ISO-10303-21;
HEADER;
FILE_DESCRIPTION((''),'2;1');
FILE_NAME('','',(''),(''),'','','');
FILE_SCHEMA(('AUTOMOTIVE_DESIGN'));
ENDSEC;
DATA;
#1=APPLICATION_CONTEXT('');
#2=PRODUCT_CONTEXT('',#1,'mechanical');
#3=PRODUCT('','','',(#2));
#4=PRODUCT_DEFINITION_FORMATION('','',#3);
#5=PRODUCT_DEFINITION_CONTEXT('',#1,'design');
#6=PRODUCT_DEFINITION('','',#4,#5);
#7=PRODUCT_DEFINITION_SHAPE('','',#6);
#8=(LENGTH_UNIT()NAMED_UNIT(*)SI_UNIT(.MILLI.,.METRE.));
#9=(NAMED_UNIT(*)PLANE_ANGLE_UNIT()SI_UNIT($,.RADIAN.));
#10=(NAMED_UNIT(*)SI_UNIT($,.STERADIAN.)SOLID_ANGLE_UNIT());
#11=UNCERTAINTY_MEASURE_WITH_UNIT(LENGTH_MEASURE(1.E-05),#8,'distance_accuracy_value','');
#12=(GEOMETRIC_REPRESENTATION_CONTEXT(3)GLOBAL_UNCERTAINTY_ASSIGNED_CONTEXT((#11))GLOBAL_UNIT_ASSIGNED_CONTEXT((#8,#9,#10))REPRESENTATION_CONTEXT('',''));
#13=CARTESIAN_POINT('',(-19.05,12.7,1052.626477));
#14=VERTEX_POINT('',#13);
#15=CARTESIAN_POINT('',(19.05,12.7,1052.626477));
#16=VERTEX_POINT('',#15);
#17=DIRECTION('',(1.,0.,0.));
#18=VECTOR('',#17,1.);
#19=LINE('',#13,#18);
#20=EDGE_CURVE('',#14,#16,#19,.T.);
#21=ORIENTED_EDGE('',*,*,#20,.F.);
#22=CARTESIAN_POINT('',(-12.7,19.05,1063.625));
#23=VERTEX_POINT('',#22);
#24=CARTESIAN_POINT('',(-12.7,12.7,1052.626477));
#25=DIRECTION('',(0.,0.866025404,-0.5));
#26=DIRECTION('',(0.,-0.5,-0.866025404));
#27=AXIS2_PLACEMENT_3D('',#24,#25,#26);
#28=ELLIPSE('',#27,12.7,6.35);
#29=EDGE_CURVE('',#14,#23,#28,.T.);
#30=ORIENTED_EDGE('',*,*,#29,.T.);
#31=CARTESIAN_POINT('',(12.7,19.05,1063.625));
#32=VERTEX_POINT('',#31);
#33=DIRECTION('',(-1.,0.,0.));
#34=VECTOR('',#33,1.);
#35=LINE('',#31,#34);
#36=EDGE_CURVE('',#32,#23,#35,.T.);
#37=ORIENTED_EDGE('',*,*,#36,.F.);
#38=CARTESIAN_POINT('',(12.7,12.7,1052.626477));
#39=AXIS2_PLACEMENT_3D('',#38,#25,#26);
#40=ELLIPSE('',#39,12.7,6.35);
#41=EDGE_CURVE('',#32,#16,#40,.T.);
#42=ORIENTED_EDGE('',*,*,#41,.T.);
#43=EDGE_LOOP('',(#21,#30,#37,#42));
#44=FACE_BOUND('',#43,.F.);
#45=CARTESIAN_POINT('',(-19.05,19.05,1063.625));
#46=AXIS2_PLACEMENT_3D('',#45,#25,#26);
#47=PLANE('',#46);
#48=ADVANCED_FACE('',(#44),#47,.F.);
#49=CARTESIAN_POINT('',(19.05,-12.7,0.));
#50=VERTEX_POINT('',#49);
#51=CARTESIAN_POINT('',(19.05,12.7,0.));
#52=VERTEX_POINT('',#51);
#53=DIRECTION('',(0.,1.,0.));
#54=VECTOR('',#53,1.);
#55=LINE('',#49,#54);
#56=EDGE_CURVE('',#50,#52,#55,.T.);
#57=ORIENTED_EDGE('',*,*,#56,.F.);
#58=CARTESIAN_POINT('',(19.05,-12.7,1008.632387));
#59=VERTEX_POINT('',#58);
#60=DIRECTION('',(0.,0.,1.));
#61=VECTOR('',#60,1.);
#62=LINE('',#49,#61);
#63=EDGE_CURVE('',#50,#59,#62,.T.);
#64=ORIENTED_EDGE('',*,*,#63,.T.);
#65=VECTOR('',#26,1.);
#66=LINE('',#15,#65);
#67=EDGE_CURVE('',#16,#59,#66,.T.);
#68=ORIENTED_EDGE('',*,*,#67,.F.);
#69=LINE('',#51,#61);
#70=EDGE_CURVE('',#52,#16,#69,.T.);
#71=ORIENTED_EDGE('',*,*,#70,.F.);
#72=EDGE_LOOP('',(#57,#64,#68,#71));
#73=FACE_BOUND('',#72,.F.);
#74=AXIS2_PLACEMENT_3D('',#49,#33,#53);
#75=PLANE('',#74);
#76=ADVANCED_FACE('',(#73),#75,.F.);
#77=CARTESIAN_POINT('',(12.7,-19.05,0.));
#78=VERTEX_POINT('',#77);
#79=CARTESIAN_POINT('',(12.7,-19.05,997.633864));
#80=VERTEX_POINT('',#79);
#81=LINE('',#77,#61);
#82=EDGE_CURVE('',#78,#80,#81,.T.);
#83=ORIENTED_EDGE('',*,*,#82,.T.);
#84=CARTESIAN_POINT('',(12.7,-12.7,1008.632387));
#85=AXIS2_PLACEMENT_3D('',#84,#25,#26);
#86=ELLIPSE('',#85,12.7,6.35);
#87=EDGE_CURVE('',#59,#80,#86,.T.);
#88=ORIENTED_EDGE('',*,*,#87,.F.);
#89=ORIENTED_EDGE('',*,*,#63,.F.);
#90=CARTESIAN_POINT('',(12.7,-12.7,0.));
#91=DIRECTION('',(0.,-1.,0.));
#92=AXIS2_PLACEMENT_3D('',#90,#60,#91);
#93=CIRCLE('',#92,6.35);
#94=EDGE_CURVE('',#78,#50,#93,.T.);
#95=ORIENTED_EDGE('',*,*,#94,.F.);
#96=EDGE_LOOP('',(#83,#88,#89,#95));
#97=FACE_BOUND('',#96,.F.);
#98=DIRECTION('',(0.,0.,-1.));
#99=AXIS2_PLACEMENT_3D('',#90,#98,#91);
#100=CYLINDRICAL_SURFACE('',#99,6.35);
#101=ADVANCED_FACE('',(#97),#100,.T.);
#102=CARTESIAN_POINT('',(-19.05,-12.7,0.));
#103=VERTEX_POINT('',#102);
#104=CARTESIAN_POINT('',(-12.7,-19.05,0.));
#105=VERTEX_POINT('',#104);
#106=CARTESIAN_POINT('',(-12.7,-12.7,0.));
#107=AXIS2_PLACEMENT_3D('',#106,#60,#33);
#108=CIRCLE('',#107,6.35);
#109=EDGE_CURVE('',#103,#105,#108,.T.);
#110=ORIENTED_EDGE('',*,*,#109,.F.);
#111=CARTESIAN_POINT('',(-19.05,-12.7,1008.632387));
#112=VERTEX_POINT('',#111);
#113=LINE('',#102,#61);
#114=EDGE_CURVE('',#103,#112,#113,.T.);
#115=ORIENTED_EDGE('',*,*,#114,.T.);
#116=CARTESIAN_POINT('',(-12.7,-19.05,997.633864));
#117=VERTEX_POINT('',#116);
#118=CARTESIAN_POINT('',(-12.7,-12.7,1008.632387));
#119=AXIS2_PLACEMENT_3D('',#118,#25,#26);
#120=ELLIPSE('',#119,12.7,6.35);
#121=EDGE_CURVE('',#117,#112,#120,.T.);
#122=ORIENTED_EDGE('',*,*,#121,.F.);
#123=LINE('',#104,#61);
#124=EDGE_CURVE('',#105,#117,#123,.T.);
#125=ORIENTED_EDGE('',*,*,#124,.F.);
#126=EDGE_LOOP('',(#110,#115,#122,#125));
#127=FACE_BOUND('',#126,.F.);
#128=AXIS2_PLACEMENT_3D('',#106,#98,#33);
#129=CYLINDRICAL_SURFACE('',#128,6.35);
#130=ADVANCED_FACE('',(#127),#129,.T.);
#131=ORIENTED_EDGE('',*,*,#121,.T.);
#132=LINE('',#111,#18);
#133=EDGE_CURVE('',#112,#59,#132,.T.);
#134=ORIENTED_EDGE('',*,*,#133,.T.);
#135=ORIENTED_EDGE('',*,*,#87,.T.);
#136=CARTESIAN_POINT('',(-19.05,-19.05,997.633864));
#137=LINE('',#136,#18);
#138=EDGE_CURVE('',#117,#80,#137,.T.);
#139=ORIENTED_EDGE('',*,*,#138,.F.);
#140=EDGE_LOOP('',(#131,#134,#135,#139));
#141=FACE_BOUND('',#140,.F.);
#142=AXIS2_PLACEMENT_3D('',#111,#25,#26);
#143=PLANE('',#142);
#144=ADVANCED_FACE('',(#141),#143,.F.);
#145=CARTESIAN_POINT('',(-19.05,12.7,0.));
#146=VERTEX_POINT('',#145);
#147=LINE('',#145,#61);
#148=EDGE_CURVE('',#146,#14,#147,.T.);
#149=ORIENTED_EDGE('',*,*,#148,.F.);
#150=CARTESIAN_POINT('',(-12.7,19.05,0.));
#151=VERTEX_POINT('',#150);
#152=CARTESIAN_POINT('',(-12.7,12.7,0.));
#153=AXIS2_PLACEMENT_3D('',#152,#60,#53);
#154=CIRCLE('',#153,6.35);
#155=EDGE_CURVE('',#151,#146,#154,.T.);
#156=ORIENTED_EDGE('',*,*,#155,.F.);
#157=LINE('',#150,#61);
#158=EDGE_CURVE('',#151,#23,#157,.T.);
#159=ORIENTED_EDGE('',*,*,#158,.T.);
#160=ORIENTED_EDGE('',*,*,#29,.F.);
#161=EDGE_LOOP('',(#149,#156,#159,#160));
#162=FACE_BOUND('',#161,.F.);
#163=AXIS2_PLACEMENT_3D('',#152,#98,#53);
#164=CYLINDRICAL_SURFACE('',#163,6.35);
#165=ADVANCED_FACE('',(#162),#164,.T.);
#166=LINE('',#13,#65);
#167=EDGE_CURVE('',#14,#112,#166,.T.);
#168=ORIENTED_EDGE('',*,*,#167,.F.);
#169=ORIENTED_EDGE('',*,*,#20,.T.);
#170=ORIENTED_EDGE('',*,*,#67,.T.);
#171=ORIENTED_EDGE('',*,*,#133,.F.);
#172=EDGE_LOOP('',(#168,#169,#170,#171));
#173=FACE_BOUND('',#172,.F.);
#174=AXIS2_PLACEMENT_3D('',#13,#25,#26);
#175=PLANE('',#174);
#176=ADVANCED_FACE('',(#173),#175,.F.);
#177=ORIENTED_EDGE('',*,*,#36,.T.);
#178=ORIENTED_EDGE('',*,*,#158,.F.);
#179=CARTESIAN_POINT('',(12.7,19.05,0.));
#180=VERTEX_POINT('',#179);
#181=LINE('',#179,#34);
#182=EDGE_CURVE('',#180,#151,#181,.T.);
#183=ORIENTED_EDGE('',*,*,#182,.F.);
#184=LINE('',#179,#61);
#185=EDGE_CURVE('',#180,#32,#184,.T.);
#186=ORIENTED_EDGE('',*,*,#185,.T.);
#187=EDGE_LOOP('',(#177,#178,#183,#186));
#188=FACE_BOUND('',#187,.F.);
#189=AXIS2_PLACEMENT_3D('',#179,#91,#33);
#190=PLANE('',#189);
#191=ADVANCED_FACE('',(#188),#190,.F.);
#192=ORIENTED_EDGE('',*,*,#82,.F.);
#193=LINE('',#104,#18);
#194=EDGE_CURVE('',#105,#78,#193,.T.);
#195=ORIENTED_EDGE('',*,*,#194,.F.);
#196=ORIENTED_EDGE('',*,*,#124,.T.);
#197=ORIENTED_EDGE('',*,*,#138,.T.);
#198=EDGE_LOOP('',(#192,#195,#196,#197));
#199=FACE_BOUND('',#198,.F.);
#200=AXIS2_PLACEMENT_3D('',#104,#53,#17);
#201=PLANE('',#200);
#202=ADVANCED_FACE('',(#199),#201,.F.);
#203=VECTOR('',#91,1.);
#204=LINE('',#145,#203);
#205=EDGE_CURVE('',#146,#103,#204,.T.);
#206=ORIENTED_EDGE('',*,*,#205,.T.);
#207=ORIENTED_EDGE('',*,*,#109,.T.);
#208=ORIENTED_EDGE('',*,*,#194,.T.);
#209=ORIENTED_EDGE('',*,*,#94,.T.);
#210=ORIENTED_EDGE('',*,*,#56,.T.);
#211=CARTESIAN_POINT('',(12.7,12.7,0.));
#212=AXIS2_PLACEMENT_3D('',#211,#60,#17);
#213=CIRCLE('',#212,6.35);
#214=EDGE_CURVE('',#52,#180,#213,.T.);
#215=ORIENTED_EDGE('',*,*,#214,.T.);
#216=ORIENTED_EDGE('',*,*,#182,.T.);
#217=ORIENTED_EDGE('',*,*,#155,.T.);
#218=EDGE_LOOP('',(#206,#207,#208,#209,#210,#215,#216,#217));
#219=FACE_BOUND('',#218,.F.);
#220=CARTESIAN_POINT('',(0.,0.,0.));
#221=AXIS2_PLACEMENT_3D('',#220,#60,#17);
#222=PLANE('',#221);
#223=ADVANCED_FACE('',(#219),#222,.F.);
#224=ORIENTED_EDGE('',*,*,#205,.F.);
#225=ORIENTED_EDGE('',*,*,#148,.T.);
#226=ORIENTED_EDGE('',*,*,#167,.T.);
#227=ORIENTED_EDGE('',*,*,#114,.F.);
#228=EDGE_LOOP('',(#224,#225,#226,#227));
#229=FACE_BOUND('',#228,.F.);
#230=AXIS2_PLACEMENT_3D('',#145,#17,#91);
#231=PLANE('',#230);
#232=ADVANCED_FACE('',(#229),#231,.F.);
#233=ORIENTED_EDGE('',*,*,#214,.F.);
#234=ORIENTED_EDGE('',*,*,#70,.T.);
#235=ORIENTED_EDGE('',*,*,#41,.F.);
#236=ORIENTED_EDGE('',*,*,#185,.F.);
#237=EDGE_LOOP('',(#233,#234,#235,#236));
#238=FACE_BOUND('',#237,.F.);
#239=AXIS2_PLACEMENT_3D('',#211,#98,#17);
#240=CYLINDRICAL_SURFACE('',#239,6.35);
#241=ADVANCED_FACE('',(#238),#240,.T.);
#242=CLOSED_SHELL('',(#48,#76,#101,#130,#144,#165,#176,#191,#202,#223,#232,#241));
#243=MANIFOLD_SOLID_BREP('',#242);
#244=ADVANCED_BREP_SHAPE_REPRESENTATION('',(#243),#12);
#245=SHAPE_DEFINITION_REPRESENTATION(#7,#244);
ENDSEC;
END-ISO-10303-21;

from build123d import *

# Parameters (mm, degrees)
F1_DEPTH = 1063.625
F3_DEPTH = 38.1


with BuildPart() as f1:
    # F0 (on Top) → F1 (new body)
    with BuildSketch(Plane.XY):
        with BuildLine():
            ThreePointArc((19.05, 12.7), (17.1901280605, 17.1901280605), (12.7, 19.05))
            Line((12.7, 19.05), (-12.7, 19.05))
            ThreePointArc((-12.7, 19.05), (-17.1901280605, 17.1901280605), (-19.05, 12.7))
            Line((-19.05, 12.7), (-19.05, -12.7))
            ThreePointArc((-19.05, -12.7), (-17.1901280605, -17.1901280605), (-12.7, -19.05))
            Line((-12.7, -19.05), (12.7, -19.05))
            ThreePointArc((12.7, -19.05), (17.1901280605, -17.1901280605), (19.05, -12.7))
            Line((19.05, -12.7), (19.05, 12.7))
        make_face()
    extrude(amount=F1_DEPTH)

    # F2 (on face) → F3 (cut)
    with BuildSketch(Plane(origin=(-19.05, 0, 0), x_dir=(0, -1, 0), z_dir=(-1, 0, 0))):
        Polygon((12.7, 1063.625), (12.7, 1008.6323868597), (19.05, 997.6338642316), (19.05, 1063.625), align=None)
        Polygon((-12.7, 1063.625), (-12.7, 1052.6264773719), (12.7, 1008.6323868597), (12.7, 1063.625), align=None)
        Polygon((-12.7, 1063.625), (-19.05, 1063.625), (-12.7, 1052.6264773719), align=None)
    extrude(amount=-F3_DEPTH, mode=Mode.SUBTRACT)


solid = f1.part
